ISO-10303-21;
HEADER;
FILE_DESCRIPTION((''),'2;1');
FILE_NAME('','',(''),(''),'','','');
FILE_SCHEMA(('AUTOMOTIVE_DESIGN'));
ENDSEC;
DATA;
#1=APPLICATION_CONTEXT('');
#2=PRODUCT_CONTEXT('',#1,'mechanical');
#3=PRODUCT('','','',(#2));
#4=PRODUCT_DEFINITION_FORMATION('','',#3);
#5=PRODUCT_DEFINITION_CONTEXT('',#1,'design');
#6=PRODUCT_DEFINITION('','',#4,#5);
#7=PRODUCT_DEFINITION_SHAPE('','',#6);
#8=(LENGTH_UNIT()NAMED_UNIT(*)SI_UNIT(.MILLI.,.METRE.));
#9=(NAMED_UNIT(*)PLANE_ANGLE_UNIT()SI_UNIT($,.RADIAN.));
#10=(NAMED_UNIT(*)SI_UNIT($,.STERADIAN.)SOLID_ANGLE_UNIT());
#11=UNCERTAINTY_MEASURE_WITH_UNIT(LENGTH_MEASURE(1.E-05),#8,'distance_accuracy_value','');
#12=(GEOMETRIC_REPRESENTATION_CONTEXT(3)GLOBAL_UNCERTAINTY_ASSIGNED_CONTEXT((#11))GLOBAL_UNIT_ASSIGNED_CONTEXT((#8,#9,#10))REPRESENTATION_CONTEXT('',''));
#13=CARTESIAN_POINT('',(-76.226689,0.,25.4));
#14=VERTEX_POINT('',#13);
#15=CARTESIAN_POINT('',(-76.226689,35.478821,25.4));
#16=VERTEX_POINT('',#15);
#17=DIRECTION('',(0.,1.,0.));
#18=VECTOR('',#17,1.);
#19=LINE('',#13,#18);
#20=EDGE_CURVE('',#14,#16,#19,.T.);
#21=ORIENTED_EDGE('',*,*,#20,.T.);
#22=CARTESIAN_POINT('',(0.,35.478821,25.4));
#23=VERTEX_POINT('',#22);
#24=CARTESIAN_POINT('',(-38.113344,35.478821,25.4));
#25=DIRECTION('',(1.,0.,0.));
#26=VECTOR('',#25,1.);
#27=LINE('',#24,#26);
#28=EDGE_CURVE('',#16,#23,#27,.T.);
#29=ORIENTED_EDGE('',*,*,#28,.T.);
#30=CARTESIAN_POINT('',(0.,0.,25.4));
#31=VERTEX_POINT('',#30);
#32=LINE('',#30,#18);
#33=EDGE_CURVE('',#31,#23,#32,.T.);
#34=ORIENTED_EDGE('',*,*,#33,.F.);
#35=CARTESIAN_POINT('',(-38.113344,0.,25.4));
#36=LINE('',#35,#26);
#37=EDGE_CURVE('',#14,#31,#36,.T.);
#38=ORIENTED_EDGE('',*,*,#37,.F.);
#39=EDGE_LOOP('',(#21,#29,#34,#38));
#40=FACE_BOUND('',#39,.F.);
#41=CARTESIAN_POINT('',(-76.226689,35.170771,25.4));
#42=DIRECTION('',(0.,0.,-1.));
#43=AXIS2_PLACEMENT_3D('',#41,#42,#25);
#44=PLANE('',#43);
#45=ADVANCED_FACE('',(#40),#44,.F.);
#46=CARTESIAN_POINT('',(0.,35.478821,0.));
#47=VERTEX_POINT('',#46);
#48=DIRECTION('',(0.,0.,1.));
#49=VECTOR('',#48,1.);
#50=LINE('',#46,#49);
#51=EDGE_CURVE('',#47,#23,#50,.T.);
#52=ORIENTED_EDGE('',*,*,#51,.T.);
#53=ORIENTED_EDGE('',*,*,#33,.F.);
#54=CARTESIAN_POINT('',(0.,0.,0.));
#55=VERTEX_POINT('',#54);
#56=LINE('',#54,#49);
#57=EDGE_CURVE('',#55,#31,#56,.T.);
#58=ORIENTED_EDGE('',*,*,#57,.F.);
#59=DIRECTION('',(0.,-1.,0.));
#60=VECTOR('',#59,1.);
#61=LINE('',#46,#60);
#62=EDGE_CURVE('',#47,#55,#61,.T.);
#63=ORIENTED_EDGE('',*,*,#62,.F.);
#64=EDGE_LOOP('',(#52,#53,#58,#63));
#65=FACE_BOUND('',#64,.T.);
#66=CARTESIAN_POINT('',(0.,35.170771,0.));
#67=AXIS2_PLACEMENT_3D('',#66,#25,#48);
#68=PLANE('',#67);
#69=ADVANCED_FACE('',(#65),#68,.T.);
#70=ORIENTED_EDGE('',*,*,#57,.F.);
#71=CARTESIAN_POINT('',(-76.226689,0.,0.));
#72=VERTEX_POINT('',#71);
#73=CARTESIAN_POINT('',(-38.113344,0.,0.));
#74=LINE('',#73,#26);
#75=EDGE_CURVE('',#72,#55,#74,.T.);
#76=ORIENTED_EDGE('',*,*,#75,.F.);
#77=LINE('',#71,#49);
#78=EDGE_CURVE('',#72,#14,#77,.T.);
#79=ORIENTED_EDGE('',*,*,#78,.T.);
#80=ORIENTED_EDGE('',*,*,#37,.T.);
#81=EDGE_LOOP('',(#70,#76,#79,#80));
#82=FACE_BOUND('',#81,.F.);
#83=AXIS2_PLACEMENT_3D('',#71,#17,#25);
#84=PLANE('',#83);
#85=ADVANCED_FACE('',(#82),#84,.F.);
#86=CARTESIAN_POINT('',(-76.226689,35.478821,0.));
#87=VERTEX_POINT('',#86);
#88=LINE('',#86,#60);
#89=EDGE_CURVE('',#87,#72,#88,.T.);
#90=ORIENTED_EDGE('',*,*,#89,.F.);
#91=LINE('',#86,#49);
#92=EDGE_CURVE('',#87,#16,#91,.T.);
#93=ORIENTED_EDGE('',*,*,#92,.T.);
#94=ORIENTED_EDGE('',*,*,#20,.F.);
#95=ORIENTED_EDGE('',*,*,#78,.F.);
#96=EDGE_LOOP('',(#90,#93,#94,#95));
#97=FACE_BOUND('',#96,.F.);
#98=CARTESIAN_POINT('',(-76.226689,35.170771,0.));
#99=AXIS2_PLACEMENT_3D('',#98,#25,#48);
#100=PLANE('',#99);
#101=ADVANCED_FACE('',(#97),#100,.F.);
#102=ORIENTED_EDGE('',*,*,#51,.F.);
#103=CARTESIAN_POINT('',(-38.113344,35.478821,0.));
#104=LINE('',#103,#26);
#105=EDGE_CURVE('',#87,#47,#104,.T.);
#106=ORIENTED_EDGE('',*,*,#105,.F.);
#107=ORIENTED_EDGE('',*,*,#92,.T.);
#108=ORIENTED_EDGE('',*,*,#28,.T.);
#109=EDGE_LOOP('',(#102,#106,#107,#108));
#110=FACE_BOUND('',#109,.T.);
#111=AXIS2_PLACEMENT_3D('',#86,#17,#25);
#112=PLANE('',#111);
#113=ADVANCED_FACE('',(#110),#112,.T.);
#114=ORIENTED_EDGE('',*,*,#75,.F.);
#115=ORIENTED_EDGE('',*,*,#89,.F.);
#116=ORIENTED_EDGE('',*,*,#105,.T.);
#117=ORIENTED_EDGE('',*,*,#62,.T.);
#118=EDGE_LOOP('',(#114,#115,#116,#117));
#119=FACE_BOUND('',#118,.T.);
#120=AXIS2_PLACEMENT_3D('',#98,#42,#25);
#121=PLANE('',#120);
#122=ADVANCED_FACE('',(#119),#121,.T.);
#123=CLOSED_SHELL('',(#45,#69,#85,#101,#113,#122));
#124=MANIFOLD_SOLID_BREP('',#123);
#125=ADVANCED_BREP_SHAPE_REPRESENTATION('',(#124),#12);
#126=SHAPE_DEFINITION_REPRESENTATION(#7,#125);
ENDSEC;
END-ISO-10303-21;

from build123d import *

# Parameters (mm, degrees)
F0_W     = 76.2266889215
F0_H     = 35.1707711816
F1_DEPTH = 25.4
F2_DEPTH = 0.30805


with BuildPart() as f1:
    # F0 (on Top) → F1 (new body)
    with BuildSketch(Plane.XY):
        with Locations((-38.1133444607, 17.5853855908)):
            Rectangle(F0_W, F0_H)
    extrude(amount=F1_DEPTH)

    # F2 (add): a face of the model
    f2_faces = [f1.faces().sort_by_distance(p)[0] for p in [
        (-38.1133444607, 35.1707711816, 12.7),
    ]]
    extrude(f2_faces, amount=F2_DEPTH)


solid = f1.part
